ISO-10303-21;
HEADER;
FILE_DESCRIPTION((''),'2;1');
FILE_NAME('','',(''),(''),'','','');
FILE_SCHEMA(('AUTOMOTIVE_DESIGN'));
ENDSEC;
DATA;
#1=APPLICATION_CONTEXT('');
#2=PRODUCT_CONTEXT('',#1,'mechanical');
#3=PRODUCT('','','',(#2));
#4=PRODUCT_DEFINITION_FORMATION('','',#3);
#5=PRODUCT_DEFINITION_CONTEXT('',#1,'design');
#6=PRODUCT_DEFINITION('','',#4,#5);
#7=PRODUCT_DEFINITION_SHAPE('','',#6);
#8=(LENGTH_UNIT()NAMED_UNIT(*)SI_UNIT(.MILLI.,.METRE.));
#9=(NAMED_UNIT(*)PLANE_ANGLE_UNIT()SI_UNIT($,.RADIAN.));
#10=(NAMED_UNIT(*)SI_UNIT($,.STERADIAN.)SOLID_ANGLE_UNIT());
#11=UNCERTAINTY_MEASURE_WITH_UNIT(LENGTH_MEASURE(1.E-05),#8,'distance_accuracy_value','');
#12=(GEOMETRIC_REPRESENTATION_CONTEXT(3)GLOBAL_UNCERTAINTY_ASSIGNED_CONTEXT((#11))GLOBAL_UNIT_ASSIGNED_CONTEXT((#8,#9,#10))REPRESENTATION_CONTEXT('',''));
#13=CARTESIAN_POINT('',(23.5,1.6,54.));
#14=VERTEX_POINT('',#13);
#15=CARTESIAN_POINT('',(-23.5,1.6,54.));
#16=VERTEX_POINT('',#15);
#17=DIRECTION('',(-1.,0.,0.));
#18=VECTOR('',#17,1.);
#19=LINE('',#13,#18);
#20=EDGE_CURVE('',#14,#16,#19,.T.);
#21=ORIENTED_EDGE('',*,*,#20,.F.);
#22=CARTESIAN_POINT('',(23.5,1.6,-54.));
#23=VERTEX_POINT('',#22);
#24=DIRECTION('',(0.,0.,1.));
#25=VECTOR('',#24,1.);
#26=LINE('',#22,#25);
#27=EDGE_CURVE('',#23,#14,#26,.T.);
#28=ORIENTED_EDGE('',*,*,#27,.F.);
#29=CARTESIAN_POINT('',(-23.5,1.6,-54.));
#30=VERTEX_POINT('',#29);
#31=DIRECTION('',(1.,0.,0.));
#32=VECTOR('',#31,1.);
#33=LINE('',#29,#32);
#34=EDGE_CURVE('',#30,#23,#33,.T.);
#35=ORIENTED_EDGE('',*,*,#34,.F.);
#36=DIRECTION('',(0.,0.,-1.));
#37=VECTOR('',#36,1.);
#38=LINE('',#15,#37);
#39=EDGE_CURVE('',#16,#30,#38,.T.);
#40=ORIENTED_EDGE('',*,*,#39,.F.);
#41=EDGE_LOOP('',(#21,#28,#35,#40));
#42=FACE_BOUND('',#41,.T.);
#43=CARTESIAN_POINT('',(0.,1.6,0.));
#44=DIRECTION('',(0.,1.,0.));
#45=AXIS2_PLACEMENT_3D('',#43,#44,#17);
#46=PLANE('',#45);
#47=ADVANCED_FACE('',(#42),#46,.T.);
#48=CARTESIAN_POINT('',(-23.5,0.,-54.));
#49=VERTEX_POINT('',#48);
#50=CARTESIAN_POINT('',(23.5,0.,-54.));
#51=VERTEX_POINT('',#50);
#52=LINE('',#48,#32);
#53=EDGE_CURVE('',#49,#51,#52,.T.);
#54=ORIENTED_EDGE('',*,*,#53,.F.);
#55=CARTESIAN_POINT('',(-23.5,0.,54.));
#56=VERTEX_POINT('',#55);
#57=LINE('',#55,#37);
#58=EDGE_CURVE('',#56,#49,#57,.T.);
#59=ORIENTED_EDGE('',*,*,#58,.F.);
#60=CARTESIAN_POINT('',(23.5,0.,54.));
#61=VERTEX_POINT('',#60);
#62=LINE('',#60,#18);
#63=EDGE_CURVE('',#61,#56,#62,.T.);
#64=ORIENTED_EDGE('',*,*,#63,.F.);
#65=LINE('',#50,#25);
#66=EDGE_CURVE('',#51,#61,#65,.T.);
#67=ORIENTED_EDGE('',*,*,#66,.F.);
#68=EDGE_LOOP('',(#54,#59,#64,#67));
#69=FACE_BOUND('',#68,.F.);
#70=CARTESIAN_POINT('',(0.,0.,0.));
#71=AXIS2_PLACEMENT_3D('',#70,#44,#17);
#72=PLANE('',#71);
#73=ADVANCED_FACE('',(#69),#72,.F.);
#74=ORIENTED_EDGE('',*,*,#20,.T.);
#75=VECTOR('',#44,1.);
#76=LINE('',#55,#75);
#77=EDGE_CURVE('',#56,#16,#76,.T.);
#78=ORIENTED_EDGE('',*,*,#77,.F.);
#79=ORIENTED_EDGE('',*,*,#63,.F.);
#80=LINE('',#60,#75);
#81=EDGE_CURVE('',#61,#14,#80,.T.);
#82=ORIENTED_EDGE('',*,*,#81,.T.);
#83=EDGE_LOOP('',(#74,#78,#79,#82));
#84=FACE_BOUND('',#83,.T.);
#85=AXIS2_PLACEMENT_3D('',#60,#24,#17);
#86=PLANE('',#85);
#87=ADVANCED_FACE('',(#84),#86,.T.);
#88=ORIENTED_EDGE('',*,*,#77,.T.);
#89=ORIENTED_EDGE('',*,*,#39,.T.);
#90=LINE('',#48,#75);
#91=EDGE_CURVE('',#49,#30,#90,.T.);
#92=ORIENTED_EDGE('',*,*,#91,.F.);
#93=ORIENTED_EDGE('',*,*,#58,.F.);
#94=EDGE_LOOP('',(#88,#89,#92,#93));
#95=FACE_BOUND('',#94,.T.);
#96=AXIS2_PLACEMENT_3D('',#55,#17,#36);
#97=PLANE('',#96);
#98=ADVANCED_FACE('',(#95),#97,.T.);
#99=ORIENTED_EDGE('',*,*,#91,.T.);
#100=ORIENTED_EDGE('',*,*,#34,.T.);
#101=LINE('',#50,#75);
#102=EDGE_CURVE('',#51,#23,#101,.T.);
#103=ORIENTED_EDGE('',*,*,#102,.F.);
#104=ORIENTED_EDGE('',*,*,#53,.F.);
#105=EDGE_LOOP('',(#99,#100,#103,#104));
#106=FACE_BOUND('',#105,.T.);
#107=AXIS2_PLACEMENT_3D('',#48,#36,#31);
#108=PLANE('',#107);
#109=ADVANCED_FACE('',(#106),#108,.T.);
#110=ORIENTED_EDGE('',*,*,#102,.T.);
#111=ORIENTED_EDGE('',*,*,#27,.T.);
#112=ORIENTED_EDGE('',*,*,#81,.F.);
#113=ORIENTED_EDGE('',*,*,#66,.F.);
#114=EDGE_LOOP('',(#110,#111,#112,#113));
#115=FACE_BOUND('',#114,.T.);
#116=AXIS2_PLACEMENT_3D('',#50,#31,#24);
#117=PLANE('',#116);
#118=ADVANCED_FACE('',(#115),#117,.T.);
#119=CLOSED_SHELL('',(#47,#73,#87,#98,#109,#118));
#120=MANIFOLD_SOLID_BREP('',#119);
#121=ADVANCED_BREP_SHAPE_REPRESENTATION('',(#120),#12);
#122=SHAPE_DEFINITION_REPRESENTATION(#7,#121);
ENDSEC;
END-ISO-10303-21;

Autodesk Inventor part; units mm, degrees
ref_plane "YZ Plane" through (0, 0, 0) normal (1, 0, 0) x (0, 1, 0)
ref_plane "XZ Plane" through (0, 0, 0) normal (0, 1, 0) x (-1, 0, 0)
ref_plane "XY Plane" through (0, 0, 0) normal (0, 0, 1) x (1, 0, 0)
sketch "Sketch1" plane through (0, 0, 0) normal (0, 1, 0) x (-1, 0, 0)
  line L0 (-23.5, 54) -> (23.5, 54)
  line L1 (23.5, 54) -> (23.5, -54)
  line L2 (23.5, -54) -> (-23.5, -54)
  line L3 (-23.5, -54) -> (-23.5, 54)
  line L4 (-23.5, 54) -> (23.5, -54) construction
  line L5 (23.5, 54) -> (-23.5, -54) construction
  point P0 (0, 0)
  dimension "d0" = 47
  dimension "d1" = 108
extrude "Extrusion1" add sketch "Sketch1" along normal blind 1.6
properties part number "ArduinoDue"
